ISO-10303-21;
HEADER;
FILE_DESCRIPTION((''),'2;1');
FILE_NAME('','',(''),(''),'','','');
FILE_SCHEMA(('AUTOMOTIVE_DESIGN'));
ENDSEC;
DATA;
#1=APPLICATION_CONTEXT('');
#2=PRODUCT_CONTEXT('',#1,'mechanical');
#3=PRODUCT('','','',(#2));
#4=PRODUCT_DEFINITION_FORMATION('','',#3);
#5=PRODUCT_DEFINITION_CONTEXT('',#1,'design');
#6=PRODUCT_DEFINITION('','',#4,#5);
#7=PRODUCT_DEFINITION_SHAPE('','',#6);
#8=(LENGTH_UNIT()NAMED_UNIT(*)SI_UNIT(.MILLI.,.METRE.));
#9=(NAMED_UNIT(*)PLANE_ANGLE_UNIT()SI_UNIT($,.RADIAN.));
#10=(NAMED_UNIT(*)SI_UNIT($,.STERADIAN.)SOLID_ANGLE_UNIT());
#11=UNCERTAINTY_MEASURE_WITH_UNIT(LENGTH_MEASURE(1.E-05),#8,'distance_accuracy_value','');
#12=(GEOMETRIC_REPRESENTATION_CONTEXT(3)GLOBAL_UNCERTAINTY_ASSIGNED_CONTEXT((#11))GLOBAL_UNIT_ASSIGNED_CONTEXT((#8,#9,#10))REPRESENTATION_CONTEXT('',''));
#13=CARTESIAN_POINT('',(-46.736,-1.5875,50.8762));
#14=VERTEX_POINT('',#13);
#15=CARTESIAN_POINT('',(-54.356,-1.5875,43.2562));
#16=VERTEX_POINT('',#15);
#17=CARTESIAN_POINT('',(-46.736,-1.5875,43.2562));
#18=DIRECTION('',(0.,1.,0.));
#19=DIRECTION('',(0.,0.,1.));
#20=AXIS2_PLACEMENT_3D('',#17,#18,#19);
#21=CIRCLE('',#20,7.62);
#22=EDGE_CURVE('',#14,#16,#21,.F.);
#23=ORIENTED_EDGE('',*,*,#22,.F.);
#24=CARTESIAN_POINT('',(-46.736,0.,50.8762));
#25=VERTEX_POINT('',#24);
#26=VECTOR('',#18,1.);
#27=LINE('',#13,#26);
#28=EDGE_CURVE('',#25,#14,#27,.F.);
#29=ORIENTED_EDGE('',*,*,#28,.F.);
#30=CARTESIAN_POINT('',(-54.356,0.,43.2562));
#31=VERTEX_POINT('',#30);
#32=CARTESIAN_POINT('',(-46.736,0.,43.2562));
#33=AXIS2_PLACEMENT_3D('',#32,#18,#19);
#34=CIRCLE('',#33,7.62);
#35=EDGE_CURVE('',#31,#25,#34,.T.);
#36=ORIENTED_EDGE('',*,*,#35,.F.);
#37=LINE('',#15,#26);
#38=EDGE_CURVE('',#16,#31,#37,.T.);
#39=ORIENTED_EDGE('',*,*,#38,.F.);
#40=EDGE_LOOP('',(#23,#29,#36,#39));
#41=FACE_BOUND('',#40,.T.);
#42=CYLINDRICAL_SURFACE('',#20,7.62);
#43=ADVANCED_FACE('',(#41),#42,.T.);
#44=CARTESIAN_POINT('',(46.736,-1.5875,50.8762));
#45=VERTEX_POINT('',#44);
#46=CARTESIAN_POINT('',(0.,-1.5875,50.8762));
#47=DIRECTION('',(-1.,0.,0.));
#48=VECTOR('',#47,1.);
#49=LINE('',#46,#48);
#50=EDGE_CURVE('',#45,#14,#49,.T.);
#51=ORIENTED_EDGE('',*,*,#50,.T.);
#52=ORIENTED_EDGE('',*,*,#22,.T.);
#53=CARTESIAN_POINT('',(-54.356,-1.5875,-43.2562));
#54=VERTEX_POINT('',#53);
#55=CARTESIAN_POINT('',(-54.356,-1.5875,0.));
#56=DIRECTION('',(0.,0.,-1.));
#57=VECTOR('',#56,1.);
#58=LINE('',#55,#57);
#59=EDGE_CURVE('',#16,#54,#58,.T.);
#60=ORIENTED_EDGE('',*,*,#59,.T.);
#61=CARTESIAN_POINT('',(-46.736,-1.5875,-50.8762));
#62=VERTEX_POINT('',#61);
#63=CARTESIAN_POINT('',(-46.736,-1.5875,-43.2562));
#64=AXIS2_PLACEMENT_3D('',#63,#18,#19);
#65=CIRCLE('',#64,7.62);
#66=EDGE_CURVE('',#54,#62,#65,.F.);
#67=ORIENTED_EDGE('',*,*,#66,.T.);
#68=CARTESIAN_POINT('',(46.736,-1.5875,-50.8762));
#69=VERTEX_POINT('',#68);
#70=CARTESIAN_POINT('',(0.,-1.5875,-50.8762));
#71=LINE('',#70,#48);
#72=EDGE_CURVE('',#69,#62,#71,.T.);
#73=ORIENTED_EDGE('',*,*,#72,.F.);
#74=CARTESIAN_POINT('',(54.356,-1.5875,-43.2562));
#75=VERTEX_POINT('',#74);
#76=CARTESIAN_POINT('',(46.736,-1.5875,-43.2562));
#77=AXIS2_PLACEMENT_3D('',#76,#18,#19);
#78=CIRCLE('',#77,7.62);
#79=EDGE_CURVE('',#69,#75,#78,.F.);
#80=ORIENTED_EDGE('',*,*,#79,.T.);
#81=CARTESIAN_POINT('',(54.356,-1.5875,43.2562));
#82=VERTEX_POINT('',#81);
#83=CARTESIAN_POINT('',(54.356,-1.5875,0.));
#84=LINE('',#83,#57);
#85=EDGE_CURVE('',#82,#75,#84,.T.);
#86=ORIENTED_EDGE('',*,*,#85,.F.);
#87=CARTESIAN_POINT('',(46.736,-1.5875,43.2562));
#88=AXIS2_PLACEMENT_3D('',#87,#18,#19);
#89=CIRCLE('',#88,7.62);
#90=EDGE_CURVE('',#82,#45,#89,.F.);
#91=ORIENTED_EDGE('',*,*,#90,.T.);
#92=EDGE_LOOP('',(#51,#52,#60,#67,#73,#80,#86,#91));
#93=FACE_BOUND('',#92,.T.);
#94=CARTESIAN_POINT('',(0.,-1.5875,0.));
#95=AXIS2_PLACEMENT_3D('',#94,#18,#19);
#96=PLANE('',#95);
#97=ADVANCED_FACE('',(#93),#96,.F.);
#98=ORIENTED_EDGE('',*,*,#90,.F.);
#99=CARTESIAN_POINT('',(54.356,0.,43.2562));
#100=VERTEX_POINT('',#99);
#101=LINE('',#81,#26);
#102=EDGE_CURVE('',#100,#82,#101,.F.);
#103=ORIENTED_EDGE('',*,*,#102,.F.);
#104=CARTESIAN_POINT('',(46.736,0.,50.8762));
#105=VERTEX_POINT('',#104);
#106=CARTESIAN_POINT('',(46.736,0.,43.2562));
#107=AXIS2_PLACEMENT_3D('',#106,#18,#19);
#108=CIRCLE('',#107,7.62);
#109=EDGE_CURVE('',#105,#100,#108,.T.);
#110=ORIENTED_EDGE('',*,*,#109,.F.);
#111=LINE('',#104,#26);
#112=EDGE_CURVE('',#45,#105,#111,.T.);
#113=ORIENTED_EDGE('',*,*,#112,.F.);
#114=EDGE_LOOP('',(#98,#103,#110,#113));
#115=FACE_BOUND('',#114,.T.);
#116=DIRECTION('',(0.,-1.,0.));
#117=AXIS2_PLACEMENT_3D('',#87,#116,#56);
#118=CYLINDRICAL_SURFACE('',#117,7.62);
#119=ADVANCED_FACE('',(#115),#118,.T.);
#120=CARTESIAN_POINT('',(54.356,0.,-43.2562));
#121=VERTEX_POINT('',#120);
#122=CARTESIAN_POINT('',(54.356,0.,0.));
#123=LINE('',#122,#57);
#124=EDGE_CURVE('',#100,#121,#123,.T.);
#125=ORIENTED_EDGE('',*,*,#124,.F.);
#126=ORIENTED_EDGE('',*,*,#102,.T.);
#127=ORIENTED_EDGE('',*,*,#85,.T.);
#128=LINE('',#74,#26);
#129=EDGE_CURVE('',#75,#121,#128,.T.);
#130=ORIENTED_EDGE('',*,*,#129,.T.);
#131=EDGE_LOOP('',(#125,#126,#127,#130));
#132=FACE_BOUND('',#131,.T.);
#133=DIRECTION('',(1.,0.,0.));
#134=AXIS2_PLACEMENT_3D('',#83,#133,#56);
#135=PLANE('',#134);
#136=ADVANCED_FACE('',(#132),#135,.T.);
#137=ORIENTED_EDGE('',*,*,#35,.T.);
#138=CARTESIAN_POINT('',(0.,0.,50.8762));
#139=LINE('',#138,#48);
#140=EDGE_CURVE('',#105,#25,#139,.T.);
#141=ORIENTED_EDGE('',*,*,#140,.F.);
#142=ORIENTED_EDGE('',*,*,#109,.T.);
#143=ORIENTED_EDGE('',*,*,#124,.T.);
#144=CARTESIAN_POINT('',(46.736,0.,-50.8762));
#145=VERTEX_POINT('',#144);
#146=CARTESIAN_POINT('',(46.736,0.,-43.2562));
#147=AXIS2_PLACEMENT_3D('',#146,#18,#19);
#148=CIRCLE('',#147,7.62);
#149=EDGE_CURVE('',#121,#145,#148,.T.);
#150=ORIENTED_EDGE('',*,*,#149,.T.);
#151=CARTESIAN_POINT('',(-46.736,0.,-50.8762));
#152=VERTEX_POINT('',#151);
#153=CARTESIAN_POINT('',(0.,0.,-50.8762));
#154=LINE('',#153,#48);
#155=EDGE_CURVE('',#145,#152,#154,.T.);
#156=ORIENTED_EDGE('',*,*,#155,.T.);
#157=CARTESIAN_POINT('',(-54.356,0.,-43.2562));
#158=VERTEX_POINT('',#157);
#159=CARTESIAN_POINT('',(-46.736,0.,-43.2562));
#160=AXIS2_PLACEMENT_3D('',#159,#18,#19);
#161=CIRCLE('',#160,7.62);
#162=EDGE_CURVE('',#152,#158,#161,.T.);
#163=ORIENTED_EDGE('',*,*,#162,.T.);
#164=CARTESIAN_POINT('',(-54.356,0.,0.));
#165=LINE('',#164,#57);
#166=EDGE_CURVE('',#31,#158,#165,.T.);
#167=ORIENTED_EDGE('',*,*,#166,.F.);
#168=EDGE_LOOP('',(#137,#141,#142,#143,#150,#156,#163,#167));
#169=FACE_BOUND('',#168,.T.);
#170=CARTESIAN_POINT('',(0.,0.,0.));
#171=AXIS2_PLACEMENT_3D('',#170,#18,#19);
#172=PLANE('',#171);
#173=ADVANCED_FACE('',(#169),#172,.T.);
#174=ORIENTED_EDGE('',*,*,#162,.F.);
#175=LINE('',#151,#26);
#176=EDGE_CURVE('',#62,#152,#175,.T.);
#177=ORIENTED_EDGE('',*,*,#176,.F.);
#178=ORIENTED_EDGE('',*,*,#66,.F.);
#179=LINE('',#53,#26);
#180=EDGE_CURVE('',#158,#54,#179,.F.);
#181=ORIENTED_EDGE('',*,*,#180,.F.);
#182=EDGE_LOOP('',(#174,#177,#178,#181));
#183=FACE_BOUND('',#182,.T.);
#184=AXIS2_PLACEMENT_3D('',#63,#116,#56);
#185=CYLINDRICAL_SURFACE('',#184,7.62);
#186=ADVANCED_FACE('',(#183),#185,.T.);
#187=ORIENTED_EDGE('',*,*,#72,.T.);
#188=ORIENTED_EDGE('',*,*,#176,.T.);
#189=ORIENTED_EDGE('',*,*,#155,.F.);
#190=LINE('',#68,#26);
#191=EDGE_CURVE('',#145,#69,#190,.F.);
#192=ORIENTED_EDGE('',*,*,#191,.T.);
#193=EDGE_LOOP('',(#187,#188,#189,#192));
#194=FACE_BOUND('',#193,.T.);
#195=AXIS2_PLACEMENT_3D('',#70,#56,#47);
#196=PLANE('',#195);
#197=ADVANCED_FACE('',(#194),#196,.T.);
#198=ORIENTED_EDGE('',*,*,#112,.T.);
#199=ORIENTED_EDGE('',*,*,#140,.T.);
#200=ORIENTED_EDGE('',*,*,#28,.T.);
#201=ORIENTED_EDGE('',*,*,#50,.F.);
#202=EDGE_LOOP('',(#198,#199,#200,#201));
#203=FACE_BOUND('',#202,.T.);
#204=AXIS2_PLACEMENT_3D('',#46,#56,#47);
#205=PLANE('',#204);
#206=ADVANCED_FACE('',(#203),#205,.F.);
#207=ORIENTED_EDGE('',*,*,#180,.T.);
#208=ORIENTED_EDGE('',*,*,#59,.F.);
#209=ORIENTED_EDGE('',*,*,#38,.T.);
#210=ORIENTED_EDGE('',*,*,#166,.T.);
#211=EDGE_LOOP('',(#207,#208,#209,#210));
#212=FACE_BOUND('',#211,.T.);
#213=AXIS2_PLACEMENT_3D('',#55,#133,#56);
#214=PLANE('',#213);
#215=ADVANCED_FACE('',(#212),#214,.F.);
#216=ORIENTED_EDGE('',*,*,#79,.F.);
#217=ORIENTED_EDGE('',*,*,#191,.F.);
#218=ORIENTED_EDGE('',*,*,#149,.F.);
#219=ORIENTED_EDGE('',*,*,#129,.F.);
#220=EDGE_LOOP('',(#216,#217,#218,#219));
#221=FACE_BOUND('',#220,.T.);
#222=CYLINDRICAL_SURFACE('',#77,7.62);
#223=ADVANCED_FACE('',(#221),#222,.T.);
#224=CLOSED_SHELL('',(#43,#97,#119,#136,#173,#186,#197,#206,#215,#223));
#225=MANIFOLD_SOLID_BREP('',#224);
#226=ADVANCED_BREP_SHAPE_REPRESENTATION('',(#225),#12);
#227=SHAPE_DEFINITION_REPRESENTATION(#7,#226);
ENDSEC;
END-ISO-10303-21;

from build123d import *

# Parameters (mm, degrees)
SKETCH1_W           = 108.712
SKETCH1_H           = 101.7524
BOSS_EXTRUDE1_DEPTH = 1.5875
FILLET1_R           = 7.62


with BuildPart() as part:
    # Sketch1 → Boss-Extrude1 (new body)
    with BuildSketch(Plane(origin=(0, 0, 0), x_dir=(1, 0, 0), z_dir=(0, 1, 0))):
        Rectangle(SKETCH1_W, SKETCH1_H)
    extrude(amount=-BOSS_EXTRUDE1_DEPTH)

    # Fillet1
    fillet1_edges = [part.edges().sort_by_distance(p)[0] for p in [
        (-54.356, -0.79375, -50.8762),
        (54.356, -0.79375, -50.8762),
        (54.356, -0.79375, 50.8762),
        (-54.356, -0.79375, 50.8762),
    ]]
    fillet(fillet1_edges, radius=FILLET1_R)


solid = part.part
